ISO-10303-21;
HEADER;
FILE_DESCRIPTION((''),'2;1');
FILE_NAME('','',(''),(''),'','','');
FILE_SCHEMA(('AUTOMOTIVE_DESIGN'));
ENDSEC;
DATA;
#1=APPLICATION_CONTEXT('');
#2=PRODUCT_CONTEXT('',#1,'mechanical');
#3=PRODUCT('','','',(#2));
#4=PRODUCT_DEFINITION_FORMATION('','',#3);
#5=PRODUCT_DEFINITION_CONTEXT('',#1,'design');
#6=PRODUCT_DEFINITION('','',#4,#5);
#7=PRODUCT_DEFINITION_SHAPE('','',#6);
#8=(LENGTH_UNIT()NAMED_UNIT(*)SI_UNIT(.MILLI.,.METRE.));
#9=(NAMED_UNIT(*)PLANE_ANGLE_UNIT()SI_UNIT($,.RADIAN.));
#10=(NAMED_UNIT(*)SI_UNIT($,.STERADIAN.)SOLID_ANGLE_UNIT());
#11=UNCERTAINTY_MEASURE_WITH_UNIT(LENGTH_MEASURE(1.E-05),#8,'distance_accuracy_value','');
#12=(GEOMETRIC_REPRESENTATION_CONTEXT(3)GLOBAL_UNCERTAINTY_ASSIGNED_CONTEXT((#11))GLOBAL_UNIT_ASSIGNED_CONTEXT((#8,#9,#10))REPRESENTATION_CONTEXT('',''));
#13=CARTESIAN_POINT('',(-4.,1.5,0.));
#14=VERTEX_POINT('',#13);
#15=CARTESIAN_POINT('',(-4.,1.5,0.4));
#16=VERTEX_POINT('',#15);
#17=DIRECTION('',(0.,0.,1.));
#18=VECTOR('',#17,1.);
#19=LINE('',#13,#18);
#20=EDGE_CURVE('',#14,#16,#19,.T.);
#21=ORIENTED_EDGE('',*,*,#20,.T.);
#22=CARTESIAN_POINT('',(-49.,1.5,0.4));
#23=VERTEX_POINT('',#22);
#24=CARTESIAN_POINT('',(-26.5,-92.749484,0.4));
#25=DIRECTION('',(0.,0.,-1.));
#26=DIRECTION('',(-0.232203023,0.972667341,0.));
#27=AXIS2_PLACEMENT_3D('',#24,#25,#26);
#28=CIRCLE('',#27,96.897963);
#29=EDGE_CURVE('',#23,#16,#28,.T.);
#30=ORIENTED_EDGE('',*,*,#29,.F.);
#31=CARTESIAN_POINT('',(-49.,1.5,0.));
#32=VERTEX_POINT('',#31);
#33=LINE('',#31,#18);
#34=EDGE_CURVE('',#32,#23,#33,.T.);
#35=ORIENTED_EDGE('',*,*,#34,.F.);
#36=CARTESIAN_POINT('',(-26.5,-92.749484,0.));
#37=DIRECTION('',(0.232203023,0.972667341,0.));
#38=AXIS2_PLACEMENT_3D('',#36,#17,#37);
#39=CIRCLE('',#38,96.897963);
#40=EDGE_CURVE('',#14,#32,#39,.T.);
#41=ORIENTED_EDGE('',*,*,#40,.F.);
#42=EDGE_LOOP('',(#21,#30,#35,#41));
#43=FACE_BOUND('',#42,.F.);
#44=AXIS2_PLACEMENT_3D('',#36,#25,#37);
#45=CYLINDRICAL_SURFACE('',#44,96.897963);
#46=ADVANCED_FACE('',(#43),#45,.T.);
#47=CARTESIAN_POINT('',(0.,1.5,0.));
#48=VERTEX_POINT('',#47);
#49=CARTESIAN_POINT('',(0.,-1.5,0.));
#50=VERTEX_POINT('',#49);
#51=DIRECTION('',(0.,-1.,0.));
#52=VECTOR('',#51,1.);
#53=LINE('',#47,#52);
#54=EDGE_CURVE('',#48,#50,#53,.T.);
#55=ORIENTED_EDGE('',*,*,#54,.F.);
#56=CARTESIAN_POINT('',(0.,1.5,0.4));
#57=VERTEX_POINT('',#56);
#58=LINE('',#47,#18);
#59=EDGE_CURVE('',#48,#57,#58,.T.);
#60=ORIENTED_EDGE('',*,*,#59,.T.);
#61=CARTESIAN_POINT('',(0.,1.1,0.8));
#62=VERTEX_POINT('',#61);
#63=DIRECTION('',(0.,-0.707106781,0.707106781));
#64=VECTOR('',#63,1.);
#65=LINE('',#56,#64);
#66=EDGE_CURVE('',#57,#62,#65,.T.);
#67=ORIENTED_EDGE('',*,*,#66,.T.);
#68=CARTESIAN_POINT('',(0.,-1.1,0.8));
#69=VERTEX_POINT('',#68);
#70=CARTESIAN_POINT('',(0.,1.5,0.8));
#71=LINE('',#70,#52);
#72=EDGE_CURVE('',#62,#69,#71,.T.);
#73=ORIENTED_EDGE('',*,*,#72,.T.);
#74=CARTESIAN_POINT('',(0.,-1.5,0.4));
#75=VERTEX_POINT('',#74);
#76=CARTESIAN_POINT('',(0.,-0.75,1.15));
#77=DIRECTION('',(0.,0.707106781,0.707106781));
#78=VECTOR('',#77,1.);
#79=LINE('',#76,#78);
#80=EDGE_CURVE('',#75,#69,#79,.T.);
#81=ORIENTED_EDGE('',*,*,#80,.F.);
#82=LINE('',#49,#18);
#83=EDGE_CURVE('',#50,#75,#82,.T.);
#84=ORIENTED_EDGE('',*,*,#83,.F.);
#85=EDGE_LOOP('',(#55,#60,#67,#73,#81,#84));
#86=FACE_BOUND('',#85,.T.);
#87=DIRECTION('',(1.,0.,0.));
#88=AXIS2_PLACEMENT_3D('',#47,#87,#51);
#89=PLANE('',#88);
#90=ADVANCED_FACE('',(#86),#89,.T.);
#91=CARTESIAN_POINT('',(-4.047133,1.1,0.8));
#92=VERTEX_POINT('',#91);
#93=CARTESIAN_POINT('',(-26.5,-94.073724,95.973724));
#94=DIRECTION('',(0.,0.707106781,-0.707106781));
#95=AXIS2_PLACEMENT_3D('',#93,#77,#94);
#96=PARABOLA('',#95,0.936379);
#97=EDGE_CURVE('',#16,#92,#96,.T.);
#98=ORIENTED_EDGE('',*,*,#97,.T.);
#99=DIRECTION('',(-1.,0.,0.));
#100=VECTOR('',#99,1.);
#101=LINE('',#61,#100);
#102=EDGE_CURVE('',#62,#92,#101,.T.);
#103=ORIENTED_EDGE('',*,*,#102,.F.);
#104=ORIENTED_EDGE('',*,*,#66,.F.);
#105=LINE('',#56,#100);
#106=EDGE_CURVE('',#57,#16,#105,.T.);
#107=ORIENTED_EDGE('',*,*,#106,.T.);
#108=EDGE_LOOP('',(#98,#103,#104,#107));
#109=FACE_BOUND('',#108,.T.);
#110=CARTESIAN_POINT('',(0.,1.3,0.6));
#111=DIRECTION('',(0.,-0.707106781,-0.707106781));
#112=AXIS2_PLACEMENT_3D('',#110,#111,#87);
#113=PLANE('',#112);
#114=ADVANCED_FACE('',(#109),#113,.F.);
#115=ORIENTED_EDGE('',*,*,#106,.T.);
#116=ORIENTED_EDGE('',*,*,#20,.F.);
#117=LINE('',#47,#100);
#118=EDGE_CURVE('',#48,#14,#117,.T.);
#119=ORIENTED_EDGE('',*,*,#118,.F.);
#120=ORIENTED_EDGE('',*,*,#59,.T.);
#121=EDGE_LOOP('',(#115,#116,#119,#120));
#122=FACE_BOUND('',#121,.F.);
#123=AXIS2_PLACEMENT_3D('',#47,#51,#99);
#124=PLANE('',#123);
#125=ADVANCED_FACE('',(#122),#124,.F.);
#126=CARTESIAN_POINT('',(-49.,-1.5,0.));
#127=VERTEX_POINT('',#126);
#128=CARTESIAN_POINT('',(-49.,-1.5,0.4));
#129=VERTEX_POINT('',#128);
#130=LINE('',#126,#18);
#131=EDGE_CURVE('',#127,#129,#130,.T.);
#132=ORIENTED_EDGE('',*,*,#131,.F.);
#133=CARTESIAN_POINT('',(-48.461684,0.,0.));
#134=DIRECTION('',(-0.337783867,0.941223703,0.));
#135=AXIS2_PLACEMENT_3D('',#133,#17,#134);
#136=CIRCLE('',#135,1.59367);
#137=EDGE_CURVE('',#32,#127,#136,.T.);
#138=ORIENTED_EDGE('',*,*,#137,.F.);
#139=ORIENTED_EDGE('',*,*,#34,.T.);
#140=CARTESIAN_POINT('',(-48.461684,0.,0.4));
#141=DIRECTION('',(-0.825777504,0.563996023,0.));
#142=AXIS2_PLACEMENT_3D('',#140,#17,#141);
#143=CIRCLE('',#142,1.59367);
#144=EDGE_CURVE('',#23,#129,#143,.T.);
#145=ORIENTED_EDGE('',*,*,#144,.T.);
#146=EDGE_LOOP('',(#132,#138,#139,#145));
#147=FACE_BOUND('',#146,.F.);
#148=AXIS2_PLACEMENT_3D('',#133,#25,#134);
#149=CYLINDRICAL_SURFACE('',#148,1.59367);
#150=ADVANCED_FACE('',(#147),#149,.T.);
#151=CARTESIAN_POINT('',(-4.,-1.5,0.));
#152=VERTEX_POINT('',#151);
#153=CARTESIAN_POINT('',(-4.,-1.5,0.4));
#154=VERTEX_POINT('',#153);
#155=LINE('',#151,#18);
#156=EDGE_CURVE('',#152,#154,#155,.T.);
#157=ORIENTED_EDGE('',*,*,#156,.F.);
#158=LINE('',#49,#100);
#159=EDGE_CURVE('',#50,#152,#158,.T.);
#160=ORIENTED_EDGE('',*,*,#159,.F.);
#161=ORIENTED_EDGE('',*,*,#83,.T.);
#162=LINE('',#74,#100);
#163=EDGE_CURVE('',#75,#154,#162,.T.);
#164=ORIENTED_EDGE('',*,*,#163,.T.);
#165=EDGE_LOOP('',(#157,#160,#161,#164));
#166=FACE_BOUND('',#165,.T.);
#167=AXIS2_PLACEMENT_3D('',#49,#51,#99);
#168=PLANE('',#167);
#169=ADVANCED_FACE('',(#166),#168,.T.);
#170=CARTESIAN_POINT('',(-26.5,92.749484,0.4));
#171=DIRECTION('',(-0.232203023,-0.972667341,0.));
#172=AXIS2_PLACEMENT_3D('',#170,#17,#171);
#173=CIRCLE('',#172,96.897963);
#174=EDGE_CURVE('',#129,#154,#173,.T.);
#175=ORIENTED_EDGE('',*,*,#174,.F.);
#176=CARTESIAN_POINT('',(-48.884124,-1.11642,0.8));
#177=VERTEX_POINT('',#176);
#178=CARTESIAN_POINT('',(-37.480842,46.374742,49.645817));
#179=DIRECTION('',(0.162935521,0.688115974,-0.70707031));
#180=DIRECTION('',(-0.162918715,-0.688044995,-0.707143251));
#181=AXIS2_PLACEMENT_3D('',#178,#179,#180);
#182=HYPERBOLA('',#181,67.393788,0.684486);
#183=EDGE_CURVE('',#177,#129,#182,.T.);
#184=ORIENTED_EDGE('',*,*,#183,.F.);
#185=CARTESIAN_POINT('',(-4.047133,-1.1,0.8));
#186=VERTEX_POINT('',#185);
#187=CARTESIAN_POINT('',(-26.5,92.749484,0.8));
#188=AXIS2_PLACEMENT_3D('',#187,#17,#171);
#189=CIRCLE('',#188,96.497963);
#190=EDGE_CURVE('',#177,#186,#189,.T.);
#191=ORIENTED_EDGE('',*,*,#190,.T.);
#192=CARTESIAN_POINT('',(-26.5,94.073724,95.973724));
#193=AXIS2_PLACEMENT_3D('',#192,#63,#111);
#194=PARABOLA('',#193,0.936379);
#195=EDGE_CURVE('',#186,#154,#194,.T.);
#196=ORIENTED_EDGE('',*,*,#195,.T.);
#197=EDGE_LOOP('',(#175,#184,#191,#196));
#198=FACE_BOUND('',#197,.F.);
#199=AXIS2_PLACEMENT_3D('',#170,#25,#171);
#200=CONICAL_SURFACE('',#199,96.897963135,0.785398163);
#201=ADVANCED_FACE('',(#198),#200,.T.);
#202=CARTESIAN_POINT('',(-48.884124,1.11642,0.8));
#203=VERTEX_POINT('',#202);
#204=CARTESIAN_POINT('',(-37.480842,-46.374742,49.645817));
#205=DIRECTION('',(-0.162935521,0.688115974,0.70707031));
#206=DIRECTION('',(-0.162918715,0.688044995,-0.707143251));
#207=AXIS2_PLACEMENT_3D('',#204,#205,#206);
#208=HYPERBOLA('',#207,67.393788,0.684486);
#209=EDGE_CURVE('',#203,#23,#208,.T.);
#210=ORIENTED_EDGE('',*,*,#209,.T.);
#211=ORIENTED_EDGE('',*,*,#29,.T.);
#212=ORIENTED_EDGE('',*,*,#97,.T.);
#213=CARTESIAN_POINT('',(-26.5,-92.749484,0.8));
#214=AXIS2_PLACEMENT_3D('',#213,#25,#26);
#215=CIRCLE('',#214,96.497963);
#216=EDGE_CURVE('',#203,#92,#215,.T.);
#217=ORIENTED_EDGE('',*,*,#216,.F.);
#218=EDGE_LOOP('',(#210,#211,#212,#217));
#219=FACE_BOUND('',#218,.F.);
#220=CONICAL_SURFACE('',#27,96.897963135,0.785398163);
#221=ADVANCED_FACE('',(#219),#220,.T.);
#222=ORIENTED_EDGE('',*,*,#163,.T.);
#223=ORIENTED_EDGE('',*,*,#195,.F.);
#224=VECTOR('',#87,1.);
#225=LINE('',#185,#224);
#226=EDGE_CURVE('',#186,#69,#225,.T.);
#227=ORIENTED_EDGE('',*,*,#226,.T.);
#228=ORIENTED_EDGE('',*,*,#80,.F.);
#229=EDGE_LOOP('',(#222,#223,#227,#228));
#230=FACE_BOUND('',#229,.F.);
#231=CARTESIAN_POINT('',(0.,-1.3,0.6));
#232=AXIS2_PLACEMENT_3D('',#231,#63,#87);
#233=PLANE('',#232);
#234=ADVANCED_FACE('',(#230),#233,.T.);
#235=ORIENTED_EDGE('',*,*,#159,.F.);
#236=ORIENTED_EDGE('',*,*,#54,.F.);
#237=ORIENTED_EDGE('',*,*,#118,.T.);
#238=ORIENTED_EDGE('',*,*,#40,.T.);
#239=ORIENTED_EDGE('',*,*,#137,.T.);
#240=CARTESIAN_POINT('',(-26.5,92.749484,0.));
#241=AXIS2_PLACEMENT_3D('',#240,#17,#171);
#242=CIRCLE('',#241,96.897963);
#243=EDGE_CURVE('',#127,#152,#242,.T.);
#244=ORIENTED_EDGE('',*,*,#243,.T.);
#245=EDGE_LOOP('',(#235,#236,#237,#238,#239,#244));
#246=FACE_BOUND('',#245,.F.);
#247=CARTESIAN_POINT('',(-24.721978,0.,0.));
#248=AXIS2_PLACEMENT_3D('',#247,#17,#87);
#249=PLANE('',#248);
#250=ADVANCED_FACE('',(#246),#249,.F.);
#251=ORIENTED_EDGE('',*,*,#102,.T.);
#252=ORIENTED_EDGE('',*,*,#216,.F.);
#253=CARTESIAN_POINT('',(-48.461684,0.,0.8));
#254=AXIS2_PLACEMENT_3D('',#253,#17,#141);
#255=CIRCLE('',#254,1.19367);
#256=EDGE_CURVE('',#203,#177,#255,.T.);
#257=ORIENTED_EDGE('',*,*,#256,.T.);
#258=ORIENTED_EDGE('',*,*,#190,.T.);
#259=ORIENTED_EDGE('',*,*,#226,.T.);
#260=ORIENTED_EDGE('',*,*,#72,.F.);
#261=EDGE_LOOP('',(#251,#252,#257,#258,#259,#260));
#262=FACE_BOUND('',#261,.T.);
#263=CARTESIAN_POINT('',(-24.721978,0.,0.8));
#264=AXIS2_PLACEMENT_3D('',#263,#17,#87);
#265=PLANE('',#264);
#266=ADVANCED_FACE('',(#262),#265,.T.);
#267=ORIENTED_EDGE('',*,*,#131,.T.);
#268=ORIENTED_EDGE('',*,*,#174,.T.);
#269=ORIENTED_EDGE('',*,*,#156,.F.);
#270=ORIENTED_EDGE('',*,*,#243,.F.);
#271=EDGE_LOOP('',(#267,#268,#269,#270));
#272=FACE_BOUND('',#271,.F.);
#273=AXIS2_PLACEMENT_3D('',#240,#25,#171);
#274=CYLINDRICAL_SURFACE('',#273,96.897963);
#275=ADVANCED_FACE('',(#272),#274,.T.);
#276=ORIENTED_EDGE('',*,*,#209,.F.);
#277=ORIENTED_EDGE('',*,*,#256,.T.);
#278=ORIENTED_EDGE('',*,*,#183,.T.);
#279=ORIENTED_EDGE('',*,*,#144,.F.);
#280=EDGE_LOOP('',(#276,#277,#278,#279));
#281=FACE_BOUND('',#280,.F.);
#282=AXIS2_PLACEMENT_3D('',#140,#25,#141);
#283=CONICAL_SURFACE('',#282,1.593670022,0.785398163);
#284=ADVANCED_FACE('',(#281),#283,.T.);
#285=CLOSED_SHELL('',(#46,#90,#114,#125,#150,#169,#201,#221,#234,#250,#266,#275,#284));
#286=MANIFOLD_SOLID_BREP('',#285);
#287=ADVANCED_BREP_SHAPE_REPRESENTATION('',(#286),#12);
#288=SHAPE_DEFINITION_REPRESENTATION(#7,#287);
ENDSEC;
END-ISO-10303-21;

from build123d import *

# Parameters (mm, degrees)
PAD010_DEPTH    = 0.8
CHAMFER_SIZE    = 0.4
CHAMFER001_SIZE = 0.4
CHAMFER002_SIZE = 0.4
CHAMFER003_SIZE = 0.4


with BuildPart() as part:
    # Sketch018 → Pad010 (new body)
    with BuildSketch(Plane.XY):
        with BuildLine():
            Line((0, 1.5), (-4, 1.5))
            ThreePointArc((-4, 1.5), (-26.5, 4.148479), (-49, 1.5))
            ThreePointArc((-49, 1.5), (-50.055354, 0), (-49, -1.5))
            ThreePointArc((-49, -1.5), (-26.5, -4.148479), (-4, -1.5))
            Line((0, -1.5), (-4, -1.5))
            Line((0, 1.5), (0, -1.5))
        make_face()
    extrude(amount=PAD010_DEPTH)

    # Chamfer
    chamfer_edges = [part.edges().sort_by_distance(p)[0] for p in [
        (-2, 1.5, 0.8),
        (-2, -1.5, 0.8),
    ]]
    chamfer(chamfer_edges, length=CHAMFER_SIZE)

    # Chamfer001
    chamfer001_edges = [part.edges().sort_by_distance(p)[0] for p in [
        (-3.192094, 1.303463, 0.8),
        (-26.5, 4.148479, 0.8),
    ]]
    chamfer(chamfer001_edges, length=CHAMFER001_SIZE)

    # Chamfer002
    chamfer002_edges = [part.edges().sort_by_distance(p)[0] for p in [
        (-26.5, -4.148479, 0.8),
        (-3.192094, -1.303463, 0.8),
    ]]
    chamfer(chamfer002_edges, length=CHAMFER002_SIZE)

    # Chamfer003
    chamfer003_edges = [part.edges().sort_by_distance(p)[0] for p in [
        (-50.055354, 0, 0.8),
    ]]
    chamfer(chamfer003_edges, length=CHAMFER003_SIZE)


solid = part.part
